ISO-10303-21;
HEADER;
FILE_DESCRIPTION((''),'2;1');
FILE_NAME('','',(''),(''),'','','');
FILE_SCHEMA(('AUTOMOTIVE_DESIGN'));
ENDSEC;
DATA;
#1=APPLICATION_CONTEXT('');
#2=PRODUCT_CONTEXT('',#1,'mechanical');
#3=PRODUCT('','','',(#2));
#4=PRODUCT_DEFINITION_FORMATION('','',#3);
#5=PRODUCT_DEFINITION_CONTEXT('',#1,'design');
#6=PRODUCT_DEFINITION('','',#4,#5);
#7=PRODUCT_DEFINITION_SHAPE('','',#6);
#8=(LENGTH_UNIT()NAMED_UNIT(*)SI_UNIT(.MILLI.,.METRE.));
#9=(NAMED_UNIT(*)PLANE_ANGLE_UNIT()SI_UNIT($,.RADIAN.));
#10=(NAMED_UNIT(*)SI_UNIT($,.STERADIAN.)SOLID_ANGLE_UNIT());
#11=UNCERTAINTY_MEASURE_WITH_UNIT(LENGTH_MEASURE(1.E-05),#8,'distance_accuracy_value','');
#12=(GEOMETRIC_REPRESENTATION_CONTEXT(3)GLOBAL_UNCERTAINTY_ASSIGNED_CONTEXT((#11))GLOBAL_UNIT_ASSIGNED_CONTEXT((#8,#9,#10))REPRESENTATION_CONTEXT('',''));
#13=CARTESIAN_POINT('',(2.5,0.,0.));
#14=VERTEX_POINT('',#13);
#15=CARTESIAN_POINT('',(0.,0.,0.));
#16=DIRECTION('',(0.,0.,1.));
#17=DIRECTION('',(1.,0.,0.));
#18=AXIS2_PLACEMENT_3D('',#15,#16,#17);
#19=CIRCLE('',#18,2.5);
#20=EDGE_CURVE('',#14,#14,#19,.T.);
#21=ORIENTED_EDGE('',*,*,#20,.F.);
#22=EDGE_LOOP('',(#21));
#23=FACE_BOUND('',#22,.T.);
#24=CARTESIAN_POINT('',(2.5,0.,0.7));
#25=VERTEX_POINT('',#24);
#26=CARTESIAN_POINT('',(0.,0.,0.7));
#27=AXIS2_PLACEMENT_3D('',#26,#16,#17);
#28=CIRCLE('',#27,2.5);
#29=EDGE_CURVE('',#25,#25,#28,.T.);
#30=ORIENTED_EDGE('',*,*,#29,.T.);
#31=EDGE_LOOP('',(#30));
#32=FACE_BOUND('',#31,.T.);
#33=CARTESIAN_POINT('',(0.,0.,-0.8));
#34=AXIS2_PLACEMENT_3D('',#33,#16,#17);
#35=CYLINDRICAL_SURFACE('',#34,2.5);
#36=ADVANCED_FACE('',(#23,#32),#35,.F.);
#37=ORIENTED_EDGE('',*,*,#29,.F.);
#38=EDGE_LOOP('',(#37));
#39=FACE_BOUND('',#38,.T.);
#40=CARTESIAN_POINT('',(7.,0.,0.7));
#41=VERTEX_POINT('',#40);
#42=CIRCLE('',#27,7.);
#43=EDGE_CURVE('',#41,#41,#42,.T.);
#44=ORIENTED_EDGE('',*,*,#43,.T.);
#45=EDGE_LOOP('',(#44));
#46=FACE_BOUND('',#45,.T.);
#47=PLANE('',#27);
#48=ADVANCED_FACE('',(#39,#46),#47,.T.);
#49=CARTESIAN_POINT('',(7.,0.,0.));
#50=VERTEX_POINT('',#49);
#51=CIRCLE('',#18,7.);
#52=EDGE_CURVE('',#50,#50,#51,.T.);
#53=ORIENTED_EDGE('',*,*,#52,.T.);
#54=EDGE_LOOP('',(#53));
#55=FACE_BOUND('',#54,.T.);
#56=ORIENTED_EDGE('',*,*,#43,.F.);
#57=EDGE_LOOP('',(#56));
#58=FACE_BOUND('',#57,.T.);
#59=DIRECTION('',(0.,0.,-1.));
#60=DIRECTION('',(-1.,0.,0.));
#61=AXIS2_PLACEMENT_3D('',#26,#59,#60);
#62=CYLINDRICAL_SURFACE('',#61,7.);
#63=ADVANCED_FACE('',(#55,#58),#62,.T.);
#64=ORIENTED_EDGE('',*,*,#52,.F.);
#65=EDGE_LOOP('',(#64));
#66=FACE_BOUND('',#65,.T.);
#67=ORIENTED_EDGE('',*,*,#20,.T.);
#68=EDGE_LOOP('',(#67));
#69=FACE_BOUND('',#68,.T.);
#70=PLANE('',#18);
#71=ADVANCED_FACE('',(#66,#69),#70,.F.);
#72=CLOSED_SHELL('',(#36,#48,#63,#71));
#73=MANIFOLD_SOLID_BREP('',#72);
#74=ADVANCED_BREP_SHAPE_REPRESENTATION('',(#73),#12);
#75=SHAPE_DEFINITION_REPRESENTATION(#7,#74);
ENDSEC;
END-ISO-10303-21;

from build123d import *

# Parameters (mm, degrees)
ESQUISSE1_R             = 7
BOSS_EXTRU_1_DEPTH      = 0.7
ESQUISSE2_R             = 2.5
ENL_V_MAT_EXTRU_1_DEPTH = 1.5


with BuildPart() as part:
    # Esquisse1 → Boss.-Extru.1 (new body)
    with BuildSketch(Plane.XY):
        Circle(ESQUISSE1_R)
    extrude(amount=BOSS_EXTRU_1_DEPTH)

    # Esquisse2 → Enlèv. mat.-Extru.1 (cut)
    with BuildSketch(Plane.XY.offset(0.7)):
        Circle(ESQUISSE2_R)
    extrude(amount=-ENL_V_MAT_EXTRU_1_DEPTH, mode=Mode.SUBTRACT)


solid = part.part
